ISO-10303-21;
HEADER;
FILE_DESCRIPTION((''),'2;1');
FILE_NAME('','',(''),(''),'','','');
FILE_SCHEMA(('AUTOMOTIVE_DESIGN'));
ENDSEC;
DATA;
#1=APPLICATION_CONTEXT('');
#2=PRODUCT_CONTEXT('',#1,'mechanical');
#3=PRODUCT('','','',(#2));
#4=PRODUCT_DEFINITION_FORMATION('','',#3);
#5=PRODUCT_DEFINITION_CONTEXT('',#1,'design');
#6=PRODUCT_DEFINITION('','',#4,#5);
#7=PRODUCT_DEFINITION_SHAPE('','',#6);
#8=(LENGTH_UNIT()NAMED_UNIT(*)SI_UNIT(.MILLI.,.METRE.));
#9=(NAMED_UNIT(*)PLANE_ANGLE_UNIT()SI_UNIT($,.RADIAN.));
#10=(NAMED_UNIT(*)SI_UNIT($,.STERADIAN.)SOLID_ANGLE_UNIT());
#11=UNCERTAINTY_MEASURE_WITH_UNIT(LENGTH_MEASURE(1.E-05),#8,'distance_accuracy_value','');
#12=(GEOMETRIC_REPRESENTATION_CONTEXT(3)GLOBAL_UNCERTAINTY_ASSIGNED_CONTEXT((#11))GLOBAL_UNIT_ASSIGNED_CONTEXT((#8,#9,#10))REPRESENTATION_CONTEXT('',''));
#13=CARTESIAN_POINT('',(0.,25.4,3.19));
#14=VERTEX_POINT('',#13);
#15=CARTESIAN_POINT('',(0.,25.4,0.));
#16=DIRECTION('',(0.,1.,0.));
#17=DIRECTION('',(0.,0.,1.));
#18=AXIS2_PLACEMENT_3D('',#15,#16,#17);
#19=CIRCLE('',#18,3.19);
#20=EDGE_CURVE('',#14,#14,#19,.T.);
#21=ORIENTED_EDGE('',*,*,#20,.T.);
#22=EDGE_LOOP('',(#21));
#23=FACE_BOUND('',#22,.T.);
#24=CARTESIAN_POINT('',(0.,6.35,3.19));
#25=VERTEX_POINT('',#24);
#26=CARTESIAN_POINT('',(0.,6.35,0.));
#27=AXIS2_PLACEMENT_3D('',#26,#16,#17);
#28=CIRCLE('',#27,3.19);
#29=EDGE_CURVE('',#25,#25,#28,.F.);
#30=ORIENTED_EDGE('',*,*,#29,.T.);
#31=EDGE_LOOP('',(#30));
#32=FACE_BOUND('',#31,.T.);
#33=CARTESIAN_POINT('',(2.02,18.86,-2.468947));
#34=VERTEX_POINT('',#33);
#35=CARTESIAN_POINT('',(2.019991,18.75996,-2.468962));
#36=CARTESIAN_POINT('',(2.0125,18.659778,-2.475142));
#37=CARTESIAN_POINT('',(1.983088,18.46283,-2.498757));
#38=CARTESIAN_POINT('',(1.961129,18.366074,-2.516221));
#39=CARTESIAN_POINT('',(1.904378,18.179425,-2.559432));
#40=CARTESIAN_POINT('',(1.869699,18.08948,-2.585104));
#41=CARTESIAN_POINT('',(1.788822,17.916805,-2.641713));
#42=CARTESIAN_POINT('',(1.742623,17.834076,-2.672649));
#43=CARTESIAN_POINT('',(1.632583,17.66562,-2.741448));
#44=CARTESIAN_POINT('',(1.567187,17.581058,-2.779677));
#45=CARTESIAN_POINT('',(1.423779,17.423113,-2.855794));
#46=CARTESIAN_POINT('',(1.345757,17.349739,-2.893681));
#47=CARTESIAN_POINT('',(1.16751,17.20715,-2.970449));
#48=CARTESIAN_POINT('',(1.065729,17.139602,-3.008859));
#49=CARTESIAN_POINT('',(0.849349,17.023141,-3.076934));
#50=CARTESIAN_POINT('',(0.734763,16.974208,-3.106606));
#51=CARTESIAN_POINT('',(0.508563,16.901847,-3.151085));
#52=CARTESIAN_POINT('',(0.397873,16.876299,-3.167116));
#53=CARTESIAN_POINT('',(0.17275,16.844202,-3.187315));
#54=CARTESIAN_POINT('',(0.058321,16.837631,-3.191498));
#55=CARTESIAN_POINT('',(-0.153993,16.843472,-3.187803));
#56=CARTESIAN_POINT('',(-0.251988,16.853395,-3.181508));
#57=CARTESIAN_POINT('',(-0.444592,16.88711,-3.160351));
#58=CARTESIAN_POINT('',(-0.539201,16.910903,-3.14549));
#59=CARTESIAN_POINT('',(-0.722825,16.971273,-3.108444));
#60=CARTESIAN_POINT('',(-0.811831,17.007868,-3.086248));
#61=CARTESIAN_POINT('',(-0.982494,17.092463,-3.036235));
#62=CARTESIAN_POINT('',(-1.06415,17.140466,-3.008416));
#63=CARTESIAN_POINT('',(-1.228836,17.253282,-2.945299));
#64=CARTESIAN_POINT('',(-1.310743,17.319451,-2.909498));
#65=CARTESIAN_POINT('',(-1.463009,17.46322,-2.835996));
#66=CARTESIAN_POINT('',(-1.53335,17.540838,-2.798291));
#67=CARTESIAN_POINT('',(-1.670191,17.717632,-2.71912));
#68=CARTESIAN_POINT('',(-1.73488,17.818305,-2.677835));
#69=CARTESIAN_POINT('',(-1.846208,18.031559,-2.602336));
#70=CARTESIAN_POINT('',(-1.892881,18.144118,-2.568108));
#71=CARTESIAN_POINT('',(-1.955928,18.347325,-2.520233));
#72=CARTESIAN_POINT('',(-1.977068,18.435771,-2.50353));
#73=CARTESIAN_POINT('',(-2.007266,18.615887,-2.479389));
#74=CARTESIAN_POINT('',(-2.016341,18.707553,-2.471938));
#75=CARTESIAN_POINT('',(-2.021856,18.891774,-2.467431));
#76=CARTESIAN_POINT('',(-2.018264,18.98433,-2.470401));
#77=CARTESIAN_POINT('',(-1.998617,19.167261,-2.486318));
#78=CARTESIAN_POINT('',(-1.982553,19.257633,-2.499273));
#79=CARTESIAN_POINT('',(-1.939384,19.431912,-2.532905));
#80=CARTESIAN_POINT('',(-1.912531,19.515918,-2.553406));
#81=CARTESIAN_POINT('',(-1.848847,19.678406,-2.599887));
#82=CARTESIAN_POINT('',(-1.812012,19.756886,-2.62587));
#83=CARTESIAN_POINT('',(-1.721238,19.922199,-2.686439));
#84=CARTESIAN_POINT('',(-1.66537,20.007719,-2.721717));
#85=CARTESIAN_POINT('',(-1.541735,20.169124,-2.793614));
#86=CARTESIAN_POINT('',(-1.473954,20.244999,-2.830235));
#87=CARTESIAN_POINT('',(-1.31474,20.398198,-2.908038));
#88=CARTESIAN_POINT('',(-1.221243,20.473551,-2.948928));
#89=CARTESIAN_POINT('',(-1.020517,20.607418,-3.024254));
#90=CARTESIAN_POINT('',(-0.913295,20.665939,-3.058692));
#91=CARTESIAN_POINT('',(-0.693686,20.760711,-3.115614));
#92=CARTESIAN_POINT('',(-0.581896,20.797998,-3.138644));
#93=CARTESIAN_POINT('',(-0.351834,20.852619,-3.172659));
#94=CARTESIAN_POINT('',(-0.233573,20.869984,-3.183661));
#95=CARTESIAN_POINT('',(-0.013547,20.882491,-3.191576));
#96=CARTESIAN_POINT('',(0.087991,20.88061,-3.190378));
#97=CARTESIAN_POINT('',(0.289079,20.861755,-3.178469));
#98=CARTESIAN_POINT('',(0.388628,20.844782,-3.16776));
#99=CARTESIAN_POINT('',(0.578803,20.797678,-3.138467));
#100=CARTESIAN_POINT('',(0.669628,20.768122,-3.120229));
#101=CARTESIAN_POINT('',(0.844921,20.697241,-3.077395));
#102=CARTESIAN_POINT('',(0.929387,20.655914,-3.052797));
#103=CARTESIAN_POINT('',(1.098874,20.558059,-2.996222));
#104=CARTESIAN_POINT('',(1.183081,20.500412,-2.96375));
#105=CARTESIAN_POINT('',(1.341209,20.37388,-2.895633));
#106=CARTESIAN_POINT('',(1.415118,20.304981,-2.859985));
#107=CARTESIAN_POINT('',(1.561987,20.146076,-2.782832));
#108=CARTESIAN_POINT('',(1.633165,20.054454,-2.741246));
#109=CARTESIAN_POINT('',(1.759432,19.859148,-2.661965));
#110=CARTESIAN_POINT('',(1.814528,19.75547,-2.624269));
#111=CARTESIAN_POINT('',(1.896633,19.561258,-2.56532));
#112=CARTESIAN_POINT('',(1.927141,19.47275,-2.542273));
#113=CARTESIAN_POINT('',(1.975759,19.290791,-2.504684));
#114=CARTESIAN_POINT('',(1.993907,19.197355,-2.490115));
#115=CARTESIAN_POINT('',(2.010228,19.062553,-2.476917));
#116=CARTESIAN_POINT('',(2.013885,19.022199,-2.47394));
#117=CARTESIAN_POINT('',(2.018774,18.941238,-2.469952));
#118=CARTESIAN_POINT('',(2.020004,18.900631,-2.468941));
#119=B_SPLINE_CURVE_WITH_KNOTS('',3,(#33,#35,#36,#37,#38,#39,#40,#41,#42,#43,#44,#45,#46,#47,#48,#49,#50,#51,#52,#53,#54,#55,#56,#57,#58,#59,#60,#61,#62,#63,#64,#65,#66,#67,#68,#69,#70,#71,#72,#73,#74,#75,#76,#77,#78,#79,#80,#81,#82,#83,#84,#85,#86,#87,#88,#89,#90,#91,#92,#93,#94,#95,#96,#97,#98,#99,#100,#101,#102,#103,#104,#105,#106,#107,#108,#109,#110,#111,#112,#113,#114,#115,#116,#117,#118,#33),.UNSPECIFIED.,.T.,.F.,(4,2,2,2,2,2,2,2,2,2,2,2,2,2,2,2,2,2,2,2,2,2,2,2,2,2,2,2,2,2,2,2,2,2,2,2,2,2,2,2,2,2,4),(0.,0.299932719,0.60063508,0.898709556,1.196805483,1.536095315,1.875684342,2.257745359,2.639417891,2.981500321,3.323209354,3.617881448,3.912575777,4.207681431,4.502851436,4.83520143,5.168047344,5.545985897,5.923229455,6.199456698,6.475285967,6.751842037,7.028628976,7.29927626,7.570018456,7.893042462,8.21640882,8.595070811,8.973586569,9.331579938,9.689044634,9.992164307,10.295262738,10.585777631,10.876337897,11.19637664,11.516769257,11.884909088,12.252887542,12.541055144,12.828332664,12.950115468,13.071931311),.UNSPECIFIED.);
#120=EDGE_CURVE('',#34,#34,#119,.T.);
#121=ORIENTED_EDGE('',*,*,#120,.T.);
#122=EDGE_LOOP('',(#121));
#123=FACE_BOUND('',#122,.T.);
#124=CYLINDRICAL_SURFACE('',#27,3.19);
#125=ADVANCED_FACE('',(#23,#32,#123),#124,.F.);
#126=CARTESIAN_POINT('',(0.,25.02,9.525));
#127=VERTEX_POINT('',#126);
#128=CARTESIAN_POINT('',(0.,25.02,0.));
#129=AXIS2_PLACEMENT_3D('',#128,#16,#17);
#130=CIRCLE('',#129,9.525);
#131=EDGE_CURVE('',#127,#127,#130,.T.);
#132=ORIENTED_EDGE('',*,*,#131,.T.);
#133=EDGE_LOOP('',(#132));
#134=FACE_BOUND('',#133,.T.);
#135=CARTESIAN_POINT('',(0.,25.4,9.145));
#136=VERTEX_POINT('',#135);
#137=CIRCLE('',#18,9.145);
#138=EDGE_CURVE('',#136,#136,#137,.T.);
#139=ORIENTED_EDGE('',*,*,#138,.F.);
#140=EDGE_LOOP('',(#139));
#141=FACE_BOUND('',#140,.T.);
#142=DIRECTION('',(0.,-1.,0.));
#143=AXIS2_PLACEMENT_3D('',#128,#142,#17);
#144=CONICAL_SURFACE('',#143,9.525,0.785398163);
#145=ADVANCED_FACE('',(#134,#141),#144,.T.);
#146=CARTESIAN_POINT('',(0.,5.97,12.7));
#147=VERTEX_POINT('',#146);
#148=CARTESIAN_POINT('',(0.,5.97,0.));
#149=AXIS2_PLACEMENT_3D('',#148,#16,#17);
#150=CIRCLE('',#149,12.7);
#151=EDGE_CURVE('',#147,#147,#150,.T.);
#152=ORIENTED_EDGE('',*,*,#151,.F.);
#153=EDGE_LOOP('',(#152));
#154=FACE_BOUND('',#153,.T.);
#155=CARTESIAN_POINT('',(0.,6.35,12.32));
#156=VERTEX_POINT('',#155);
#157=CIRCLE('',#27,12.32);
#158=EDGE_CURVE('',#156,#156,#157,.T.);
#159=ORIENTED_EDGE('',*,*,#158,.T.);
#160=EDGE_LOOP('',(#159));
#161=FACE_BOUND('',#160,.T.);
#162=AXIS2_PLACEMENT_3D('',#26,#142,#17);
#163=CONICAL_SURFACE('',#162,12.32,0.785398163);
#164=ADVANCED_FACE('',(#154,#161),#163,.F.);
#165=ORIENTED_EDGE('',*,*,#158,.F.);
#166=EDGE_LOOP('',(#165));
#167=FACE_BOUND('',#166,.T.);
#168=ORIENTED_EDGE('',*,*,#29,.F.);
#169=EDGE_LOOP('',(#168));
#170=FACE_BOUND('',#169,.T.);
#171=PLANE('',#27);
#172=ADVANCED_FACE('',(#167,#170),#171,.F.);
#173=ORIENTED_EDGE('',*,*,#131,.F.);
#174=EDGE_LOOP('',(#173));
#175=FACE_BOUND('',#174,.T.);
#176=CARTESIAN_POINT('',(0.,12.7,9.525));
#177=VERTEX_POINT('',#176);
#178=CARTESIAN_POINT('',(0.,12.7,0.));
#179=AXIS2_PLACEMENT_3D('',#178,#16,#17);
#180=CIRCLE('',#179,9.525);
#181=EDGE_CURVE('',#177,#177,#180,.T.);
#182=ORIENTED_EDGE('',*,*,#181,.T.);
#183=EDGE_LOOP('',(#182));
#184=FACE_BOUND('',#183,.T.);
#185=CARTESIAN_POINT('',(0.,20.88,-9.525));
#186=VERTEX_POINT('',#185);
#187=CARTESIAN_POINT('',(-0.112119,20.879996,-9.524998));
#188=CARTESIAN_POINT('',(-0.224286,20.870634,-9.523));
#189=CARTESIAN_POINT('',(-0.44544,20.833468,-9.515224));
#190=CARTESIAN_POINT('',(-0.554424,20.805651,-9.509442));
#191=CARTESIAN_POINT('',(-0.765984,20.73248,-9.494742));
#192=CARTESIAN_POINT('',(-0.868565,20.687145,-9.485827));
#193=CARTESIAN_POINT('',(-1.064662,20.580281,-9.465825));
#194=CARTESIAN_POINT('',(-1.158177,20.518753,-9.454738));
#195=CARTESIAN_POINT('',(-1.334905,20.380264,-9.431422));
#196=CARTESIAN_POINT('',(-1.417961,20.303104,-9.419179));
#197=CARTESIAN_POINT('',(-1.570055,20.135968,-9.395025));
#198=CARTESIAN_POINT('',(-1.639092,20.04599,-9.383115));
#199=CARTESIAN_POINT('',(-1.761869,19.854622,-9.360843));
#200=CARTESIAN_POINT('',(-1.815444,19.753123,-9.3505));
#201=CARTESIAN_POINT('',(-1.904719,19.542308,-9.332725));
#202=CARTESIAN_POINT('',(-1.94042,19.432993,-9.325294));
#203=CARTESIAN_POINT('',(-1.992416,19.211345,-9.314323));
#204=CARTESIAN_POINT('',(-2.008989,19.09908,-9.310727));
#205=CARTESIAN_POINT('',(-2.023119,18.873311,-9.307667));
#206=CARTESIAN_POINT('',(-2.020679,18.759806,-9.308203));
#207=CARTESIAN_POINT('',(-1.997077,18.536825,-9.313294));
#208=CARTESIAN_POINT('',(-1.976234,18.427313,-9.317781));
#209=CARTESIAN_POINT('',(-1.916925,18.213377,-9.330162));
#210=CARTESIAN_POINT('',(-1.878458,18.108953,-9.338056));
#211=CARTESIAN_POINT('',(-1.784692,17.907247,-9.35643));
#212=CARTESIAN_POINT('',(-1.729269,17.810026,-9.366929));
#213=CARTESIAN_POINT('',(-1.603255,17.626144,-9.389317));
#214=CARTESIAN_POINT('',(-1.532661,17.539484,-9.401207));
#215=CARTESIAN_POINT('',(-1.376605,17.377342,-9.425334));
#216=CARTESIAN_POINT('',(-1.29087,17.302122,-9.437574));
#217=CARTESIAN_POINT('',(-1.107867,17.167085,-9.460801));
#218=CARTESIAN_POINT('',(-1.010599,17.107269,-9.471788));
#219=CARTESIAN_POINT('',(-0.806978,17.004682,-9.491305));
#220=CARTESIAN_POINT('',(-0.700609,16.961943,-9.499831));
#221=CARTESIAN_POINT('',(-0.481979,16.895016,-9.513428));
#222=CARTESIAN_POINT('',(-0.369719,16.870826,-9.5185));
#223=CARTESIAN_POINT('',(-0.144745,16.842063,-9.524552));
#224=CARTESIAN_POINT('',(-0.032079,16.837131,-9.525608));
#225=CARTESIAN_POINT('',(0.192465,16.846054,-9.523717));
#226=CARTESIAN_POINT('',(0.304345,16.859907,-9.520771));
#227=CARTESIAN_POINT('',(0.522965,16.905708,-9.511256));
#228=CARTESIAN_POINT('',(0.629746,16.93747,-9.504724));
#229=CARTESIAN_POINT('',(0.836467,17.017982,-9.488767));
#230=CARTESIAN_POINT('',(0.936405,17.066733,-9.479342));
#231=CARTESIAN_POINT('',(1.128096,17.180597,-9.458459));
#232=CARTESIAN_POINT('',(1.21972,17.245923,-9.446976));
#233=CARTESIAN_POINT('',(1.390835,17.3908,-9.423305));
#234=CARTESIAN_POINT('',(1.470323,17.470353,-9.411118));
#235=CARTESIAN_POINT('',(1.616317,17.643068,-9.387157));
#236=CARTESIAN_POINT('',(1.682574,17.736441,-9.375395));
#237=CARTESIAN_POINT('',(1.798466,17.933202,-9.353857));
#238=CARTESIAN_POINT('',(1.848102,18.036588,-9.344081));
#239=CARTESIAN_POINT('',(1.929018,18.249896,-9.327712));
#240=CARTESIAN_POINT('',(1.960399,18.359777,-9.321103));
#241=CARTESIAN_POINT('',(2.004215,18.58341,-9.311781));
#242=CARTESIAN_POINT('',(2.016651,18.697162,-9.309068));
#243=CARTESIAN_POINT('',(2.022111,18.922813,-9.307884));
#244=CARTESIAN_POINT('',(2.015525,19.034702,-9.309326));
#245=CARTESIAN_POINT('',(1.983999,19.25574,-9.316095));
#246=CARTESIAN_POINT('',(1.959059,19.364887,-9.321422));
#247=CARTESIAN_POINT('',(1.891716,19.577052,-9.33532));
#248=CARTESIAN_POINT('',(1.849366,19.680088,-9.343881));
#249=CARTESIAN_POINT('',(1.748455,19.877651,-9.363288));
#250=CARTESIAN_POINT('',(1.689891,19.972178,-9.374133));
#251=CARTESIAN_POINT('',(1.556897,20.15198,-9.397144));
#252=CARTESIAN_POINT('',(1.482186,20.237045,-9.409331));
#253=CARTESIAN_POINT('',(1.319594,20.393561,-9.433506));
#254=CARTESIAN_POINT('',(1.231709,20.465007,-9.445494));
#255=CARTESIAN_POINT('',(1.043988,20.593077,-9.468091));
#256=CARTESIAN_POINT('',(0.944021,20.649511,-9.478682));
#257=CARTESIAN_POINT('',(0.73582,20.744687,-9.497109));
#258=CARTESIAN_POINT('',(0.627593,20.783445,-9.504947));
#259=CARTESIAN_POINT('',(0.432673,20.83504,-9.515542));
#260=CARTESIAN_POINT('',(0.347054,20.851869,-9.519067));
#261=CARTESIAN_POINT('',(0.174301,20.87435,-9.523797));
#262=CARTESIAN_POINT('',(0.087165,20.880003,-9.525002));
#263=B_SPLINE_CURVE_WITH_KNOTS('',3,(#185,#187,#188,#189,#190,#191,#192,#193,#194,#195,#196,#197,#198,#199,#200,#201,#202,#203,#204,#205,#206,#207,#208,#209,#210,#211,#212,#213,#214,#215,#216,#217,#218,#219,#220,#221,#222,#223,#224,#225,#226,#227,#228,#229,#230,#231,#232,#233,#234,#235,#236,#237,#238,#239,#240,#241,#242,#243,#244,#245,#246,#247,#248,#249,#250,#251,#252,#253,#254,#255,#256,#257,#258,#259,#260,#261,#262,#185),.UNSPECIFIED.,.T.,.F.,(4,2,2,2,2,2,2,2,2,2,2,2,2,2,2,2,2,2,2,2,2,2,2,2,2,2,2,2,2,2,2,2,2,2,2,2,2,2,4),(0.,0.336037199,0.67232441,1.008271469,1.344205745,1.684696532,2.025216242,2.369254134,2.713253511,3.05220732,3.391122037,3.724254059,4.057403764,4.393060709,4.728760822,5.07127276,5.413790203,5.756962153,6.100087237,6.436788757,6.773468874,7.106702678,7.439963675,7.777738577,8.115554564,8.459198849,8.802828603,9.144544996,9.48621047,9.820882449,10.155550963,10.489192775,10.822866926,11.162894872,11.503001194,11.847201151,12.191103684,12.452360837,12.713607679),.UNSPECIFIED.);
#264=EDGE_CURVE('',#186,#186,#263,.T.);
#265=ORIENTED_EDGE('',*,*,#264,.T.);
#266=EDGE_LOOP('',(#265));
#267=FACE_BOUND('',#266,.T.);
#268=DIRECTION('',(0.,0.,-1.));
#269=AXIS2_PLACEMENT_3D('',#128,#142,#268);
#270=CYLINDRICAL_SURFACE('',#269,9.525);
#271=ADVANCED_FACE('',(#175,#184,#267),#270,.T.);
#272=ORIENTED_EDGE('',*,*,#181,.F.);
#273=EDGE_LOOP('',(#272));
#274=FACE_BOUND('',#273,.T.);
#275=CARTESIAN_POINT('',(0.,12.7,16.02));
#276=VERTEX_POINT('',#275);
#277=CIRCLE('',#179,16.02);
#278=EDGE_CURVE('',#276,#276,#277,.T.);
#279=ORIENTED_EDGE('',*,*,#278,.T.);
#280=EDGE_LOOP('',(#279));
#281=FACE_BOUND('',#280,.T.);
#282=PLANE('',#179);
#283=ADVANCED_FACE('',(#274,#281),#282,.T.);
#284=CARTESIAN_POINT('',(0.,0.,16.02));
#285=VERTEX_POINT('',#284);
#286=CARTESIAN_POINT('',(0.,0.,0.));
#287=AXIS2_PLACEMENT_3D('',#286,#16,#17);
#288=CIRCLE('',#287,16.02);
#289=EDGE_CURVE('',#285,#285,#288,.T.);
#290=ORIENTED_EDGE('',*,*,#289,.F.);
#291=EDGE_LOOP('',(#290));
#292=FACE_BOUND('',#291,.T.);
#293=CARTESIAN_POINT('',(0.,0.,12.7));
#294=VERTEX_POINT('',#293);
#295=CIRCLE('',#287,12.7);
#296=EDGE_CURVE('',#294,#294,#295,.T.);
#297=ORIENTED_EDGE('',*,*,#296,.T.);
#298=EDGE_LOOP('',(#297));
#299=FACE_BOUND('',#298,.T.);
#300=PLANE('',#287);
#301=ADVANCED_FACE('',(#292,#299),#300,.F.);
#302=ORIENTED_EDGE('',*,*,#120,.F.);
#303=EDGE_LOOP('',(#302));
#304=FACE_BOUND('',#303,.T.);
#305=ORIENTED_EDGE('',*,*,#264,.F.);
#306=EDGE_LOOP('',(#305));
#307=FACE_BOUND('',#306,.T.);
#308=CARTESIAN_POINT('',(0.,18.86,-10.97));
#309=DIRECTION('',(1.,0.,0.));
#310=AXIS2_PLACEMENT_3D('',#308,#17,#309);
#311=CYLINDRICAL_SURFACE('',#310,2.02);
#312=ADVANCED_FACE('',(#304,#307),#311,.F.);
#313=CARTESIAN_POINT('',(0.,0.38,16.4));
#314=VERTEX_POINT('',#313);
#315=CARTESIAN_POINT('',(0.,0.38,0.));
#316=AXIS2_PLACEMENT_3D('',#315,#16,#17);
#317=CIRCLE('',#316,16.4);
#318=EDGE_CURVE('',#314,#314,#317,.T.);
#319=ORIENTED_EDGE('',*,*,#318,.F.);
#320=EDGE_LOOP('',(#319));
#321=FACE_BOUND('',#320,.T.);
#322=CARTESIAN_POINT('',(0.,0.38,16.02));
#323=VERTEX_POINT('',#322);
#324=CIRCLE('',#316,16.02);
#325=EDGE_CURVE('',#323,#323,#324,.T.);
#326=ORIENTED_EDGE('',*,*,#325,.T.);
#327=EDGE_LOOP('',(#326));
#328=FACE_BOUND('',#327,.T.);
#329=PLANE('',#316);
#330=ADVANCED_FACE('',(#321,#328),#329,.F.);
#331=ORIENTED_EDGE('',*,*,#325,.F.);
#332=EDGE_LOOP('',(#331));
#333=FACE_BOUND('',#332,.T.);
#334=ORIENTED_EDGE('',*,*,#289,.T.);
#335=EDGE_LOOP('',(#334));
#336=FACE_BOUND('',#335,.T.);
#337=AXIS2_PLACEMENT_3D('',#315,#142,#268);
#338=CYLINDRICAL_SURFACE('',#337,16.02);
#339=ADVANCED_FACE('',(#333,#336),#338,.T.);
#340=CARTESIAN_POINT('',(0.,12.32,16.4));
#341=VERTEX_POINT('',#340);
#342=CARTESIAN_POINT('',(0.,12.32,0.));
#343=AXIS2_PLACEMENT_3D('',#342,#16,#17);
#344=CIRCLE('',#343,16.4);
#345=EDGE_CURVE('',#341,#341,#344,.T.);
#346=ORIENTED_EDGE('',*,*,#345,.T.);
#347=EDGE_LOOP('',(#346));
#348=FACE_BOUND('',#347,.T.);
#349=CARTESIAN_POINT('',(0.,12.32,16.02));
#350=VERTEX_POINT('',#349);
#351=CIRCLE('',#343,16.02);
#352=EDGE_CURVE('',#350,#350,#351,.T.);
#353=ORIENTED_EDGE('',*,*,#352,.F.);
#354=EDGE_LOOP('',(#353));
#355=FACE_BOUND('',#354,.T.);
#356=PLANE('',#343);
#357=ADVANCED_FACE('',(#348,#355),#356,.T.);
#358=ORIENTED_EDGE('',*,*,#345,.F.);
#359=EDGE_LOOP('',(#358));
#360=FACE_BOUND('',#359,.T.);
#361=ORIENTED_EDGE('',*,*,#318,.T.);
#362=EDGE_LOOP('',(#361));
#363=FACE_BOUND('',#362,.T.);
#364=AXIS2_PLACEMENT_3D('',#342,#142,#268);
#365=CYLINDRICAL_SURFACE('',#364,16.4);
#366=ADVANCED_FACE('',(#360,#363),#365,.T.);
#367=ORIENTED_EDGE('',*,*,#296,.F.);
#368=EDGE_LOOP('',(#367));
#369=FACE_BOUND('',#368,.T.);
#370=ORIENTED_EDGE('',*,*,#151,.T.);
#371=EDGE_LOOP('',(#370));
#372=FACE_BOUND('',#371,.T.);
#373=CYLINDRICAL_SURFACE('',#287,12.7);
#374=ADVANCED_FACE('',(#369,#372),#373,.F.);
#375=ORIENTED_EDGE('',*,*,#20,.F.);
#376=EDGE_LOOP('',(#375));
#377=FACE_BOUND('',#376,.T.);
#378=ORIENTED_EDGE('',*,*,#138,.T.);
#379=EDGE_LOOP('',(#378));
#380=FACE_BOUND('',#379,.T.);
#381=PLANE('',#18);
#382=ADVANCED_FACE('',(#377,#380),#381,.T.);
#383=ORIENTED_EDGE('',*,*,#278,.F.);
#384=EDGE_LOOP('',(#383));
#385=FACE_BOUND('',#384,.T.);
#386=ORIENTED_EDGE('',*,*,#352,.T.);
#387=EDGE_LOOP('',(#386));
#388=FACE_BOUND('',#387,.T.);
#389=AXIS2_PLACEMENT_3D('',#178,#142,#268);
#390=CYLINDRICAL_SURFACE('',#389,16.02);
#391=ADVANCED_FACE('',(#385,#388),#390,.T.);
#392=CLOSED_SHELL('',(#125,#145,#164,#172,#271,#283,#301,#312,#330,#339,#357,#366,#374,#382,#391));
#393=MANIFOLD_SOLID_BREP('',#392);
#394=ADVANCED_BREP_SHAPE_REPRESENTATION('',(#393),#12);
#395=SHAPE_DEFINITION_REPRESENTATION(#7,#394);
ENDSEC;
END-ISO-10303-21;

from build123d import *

# Parameters (mm, degrees)
SKETCH1_R           = 16.02
BOSS_EXTRUDE1_DEPTH = 0.38
SKETCH2_R           = 16.4
BOSS_EXTRUDE2_DEPTH = 11.94
SKETCH3_R           = 16.02
BOSS_EXTRUDE3_DEPTH = 0.38
SKETCH4_R           = 9.525
BOSS_EXTRUDE4_DEPTH = 12.32
SKETCH5_R           = 9.525
BOSS_EXTRUDE5_DEPTH = 0.38
BOSS_EXTRUDE5_TAPER = 45
SKETCH6_R           = 3.19
CUT_EXTRUDE1_DEPTH  = 19.05
SKETCH7_R           = 12.32
CUT_EXTRUDE5_DEPTH  = 0.38
CUT_EXTRUDE5_TAPER  = -45
SKETCH11_R          = 12.7
CUT_EXTRUDE6_DEPTH  = 5.97
SKETCH13_R          = 2.02
CUT_EXTRUDE7_DEPTH  = 10.97


with BuildPart() as part:
    # Sketch1 → Boss-Extrude1 (new body)
    with BuildSketch(Plane(origin=(0, 0, 0), x_dir=(1, 0, 0), z_dir=(0, 1, 0))):
        Circle(SKETCH1_R)
    extrude(amount=BOSS_EXTRUDE1_DEPTH)

    # Sketch2 → Boss-Extrude2 (add)
    with BuildSketch(Plane(origin=(0, 0.38, 0), x_dir=(1, 0, 0), z_dir=(0, 1, 0))):
        Circle(SKETCH2_R)
    extrude(amount=BOSS_EXTRUDE2_DEPTH)

    # Sketch3 → Boss-Extrude3 (add)
    with BuildSketch(Plane(origin=(0, 12.32, 0), x_dir=(1, 0, 0), z_dir=(0, 1, 0))):
        Circle(SKETCH3_R)
    extrude(amount=BOSS_EXTRUDE3_DEPTH)

    # Sketch4 → Boss-Extrude4 (add)
    with BuildSketch(Plane(origin=(0, 12.7, 0), x_dir=(1, 0, 0), z_dir=(0, 1, 0))):
        Circle(SKETCH4_R)
    extrude(amount=BOSS_EXTRUDE4_DEPTH)

    # Sketch5 → Boss-Extrude5 (add)
    with BuildSketch(Plane(origin=(0, 25.02, 0), x_dir=(1, 0, 0), z_dir=(0, 1, 0))):
        Circle(SKETCH5_R)
    extrude(amount=BOSS_EXTRUDE5_DEPTH, taper=BOSS_EXTRUDE5_TAPER)

    # Sketch6 → Cut-Extrude1 (cut)
    with BuildSketch(Plane(origin=(0, 25.4, 0), x_dir=(1, 0, 0), z_dir=(0, 1, 0))):
        Circle(SKETCH6_R)
    extrude(amount=-CUT_EXTRUDE1_DEPTH, mode=Mode.SUBTRACT)

    # Sketch7 → Cut-Extrude5 (cut)
    with BuildSketch(Plane(origin=(0, 6.35, 0), x_dir=(1, 0, 0), z_dir=(0, 1, 0))):
        Circle(SKETCH7_R)
    extrude(amount=-CUT_EXTRUDE5_DEPTH, taper=CUT_EXTRUDE5_TAPER, mode=Mode.SUBTRACT)

    # Sketch11 → Cut-Extrude6 (cut)
    with BuildSketch(Plane(origin=(0, 5.97, 0), x_dir=(1, 0, 0), z_dir=(0, 1, 0))):
        Circle(SKETCH11_R)
    extrude(amount=-CUT_EXTRUDE6_DEPTH, mode=Mode.SUBTRACT)

    # Sketch13 → Cut-Extrude7 (cut)
    with BuildSketch(Plane.XY):
        with Locations((0, 18.86)):
            Circle(SKETCH13_R)
    extrude(amount=-CUT_EXTRUDE7_DEPTH, mode=Mode.SUBTRACT)


solid = part.part
